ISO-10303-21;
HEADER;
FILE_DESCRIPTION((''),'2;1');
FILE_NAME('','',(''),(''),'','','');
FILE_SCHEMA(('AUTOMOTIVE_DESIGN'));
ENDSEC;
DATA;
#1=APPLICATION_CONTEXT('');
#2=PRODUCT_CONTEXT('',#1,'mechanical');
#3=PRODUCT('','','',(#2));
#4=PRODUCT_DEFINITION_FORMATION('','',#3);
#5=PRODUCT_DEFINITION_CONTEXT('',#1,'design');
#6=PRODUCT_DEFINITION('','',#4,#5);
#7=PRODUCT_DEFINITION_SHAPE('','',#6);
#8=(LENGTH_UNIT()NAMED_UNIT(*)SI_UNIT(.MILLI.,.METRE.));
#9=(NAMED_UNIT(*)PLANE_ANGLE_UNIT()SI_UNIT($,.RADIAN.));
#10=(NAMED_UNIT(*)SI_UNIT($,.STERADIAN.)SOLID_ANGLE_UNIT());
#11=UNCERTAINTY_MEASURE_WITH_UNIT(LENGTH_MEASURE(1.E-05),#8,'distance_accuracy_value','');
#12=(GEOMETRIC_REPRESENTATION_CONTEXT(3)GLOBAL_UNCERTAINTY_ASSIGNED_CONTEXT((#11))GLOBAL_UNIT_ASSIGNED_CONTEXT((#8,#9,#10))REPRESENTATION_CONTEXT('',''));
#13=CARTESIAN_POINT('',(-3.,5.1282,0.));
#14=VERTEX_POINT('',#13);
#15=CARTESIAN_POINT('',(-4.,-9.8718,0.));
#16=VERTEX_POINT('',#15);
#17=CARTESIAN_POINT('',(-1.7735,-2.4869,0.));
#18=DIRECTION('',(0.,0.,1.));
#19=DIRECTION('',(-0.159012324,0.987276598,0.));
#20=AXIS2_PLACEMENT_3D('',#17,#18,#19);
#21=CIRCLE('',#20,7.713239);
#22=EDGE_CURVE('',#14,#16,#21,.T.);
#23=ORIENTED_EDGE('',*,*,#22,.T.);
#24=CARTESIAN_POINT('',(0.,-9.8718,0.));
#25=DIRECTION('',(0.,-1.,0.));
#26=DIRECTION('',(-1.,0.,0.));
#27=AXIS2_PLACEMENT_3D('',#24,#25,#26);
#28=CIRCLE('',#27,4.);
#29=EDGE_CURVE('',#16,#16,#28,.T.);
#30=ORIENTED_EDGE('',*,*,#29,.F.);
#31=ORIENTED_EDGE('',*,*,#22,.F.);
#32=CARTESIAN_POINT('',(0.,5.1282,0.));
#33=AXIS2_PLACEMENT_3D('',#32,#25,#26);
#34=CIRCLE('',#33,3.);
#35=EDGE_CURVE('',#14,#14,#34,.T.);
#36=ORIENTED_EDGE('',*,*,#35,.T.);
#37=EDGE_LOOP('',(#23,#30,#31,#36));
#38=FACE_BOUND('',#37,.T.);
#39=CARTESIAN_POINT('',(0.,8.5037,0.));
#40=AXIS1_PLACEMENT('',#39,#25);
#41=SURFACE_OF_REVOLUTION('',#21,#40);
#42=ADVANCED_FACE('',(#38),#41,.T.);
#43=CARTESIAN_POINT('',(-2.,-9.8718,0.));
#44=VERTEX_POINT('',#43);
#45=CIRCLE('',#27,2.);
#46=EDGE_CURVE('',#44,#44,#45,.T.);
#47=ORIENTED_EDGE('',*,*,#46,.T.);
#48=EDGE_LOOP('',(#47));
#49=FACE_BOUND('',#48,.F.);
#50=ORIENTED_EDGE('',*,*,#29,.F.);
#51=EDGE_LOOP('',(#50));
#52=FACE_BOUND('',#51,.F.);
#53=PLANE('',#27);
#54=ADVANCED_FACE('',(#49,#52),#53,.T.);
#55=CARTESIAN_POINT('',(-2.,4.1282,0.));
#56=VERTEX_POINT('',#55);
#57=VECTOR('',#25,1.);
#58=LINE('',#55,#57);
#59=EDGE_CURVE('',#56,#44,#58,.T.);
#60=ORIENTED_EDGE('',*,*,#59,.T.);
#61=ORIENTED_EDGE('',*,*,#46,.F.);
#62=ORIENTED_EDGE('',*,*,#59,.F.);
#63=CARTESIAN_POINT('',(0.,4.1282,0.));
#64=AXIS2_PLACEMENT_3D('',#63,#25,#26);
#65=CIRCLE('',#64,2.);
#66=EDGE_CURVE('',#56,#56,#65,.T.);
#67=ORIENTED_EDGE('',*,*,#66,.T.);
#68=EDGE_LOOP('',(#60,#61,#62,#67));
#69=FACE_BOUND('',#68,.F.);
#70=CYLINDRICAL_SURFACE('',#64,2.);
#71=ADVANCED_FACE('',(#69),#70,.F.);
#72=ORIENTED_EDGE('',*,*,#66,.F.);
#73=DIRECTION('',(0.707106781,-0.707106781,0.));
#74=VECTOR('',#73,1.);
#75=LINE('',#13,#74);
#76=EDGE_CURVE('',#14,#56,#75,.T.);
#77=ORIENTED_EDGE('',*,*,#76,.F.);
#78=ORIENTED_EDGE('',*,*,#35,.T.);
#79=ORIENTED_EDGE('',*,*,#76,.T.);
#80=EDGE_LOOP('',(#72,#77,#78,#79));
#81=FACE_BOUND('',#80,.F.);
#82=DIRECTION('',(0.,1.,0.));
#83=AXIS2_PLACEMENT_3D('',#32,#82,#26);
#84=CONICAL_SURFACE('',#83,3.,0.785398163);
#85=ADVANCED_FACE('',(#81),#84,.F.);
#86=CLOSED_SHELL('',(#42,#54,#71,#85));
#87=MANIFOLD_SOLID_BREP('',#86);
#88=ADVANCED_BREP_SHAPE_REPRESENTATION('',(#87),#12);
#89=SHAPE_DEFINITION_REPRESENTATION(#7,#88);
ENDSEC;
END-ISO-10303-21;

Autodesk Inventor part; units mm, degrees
ref_plane "YZ Plane" through (0, 0, 0) normal (1, 0, 0) x (0, 1, 0)
ref_plane "XZ Plane" through (0, 0, 0) normal (0, 1, 0) x (-1, 0, 0)
ref_plane "XY Plane" through (0, 0, 0) normal (0, 0, 1) x (1, 0, 0)
sketch "Sketch1" plane through (0, 0, 0) normal (0, 0, 1) x (1, 0, 0)
  line L0 (-2, 4.1282) -> (-2, -9.8718)
  line L1 (0, 8.5037) -> (0, -11.0762)
  line L2 (-2, -9.8718) -> (-4, -9.8718)
  line L3 (-3, 5.1282) -> (-2, 4.1282)
  arc A0 (-3, 5.1282) -> (-4, -9.8718) centre (-1.7735, -2.4869) ccw
  point P0 (0, 0)
  dimension "d4" = 2
  dimension "d5" = 0
  dimension "d6" = 2
revolve "Revolution1" add sketch "Sketch1" angle 360 about axis through (0, 8.5037, 0) along (0, -1, 0)
properties part number "seventh"
